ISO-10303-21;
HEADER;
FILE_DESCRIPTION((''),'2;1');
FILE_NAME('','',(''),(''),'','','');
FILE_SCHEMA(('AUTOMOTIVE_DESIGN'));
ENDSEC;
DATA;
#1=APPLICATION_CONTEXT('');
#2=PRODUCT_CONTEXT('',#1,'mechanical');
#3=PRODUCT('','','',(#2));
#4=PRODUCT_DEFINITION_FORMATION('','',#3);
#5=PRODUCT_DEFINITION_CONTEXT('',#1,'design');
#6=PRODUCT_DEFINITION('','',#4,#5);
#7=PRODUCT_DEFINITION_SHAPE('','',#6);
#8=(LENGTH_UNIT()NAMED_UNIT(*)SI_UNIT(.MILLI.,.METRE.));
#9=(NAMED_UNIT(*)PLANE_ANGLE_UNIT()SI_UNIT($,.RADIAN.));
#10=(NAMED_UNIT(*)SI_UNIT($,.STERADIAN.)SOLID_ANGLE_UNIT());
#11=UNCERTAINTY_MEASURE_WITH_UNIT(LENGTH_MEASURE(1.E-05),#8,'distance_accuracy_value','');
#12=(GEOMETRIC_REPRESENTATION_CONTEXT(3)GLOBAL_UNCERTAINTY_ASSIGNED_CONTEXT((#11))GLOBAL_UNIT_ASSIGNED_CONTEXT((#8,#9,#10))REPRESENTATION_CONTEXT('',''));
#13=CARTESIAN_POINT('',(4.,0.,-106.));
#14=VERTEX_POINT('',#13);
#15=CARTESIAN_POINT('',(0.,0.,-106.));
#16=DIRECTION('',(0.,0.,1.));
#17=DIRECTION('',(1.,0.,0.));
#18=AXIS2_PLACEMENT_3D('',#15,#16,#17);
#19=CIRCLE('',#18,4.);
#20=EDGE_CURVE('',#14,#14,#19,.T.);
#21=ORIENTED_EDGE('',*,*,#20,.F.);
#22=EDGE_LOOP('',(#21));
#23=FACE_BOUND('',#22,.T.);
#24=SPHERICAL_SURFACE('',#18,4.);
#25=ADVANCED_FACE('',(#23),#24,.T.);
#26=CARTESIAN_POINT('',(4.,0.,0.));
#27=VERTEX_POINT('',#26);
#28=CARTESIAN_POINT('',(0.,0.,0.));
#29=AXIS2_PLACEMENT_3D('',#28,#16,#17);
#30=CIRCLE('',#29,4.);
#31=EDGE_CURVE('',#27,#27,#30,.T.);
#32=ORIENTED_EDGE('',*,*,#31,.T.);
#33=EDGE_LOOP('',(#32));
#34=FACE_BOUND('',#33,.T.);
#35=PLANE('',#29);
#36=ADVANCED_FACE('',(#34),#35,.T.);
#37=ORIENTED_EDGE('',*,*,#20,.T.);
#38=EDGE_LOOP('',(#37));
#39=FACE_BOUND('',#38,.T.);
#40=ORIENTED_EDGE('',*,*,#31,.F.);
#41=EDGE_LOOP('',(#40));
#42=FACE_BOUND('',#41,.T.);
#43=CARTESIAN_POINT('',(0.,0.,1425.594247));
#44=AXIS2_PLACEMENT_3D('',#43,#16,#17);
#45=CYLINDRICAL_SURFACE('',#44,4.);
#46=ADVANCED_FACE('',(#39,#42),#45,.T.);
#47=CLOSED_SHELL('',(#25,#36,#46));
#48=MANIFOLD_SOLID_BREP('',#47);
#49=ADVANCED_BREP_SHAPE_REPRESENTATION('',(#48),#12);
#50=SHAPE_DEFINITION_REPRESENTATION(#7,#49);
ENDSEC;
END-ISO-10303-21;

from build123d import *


with BuildPart() as part:
    # Sketch1 → Revolve1 (revolve)
    with BuildSketch(Plane(origin=(0, 0, 0), x_dir=(1, 0, 0), z_dir=(0, 1, 0))):
        with BuildLine():
            Line((0, 0), (0, 110))
            ThreePointArc((0, 110), (2.828427125, 108.828427125), (4, 106))
            Line((4, 106), (4, 0))
            Line((4, 0), (0, 0))
        make_face()
    revolve(axis=Axis((0, 0, 1425.594246993), (0, 0, -1)))


solid = part.part
